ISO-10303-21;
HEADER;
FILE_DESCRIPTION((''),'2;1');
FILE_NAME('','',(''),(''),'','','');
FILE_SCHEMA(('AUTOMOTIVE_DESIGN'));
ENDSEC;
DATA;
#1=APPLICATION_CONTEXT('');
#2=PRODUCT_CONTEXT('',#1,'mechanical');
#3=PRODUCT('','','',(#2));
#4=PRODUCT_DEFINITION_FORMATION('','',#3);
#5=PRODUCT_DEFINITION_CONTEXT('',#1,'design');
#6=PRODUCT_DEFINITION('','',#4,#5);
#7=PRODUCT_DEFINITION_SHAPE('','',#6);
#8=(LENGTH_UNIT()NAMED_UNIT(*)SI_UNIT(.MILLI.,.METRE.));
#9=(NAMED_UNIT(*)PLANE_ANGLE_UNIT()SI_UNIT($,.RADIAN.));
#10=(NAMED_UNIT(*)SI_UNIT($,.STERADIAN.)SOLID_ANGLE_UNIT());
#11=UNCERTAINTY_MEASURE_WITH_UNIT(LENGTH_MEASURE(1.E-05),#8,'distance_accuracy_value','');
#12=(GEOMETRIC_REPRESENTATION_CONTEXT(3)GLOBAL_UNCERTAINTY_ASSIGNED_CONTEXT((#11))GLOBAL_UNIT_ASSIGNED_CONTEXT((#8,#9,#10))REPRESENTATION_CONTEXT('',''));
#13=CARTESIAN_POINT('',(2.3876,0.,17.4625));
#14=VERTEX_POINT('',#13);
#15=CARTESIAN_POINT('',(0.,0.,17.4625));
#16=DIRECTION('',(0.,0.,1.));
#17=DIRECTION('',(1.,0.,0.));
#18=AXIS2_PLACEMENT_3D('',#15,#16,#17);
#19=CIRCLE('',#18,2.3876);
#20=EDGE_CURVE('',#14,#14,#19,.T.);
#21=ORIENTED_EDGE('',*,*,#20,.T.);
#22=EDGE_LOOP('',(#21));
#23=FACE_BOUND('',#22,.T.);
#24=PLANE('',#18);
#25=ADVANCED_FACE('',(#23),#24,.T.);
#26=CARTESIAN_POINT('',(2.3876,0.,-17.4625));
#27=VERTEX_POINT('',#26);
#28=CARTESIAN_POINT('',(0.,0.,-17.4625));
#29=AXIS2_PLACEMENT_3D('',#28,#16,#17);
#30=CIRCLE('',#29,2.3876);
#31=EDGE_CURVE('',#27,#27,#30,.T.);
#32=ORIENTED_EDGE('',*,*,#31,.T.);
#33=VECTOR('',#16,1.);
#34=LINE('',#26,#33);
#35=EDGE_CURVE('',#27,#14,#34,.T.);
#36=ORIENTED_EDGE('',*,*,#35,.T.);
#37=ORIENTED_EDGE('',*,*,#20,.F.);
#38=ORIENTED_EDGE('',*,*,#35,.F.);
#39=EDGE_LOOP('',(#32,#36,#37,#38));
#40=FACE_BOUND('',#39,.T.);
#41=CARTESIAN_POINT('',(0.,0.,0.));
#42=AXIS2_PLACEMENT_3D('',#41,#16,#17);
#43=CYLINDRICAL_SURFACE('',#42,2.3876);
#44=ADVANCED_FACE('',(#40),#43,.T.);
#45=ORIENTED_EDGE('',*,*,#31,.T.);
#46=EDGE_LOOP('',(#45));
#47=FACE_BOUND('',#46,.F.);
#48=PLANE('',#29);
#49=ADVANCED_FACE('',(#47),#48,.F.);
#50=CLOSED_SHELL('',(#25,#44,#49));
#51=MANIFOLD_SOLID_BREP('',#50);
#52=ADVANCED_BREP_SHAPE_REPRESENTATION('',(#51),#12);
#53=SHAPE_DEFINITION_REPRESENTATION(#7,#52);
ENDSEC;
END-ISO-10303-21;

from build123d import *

# Parameters (mm, degrees)
SKETCH1_R      = 2.3876
EXTRUDE1_DEPTH = 17.4625


with BuildPart() as part:
    # Sketch1 → Extrude1 (new body, symmetric)
    with BuildSketch(Plane.XY):
        Circle(SKETCH1_R)
    extrude(amount=EXTRUDE1_DEPTH, both=True)


solid = part.part
